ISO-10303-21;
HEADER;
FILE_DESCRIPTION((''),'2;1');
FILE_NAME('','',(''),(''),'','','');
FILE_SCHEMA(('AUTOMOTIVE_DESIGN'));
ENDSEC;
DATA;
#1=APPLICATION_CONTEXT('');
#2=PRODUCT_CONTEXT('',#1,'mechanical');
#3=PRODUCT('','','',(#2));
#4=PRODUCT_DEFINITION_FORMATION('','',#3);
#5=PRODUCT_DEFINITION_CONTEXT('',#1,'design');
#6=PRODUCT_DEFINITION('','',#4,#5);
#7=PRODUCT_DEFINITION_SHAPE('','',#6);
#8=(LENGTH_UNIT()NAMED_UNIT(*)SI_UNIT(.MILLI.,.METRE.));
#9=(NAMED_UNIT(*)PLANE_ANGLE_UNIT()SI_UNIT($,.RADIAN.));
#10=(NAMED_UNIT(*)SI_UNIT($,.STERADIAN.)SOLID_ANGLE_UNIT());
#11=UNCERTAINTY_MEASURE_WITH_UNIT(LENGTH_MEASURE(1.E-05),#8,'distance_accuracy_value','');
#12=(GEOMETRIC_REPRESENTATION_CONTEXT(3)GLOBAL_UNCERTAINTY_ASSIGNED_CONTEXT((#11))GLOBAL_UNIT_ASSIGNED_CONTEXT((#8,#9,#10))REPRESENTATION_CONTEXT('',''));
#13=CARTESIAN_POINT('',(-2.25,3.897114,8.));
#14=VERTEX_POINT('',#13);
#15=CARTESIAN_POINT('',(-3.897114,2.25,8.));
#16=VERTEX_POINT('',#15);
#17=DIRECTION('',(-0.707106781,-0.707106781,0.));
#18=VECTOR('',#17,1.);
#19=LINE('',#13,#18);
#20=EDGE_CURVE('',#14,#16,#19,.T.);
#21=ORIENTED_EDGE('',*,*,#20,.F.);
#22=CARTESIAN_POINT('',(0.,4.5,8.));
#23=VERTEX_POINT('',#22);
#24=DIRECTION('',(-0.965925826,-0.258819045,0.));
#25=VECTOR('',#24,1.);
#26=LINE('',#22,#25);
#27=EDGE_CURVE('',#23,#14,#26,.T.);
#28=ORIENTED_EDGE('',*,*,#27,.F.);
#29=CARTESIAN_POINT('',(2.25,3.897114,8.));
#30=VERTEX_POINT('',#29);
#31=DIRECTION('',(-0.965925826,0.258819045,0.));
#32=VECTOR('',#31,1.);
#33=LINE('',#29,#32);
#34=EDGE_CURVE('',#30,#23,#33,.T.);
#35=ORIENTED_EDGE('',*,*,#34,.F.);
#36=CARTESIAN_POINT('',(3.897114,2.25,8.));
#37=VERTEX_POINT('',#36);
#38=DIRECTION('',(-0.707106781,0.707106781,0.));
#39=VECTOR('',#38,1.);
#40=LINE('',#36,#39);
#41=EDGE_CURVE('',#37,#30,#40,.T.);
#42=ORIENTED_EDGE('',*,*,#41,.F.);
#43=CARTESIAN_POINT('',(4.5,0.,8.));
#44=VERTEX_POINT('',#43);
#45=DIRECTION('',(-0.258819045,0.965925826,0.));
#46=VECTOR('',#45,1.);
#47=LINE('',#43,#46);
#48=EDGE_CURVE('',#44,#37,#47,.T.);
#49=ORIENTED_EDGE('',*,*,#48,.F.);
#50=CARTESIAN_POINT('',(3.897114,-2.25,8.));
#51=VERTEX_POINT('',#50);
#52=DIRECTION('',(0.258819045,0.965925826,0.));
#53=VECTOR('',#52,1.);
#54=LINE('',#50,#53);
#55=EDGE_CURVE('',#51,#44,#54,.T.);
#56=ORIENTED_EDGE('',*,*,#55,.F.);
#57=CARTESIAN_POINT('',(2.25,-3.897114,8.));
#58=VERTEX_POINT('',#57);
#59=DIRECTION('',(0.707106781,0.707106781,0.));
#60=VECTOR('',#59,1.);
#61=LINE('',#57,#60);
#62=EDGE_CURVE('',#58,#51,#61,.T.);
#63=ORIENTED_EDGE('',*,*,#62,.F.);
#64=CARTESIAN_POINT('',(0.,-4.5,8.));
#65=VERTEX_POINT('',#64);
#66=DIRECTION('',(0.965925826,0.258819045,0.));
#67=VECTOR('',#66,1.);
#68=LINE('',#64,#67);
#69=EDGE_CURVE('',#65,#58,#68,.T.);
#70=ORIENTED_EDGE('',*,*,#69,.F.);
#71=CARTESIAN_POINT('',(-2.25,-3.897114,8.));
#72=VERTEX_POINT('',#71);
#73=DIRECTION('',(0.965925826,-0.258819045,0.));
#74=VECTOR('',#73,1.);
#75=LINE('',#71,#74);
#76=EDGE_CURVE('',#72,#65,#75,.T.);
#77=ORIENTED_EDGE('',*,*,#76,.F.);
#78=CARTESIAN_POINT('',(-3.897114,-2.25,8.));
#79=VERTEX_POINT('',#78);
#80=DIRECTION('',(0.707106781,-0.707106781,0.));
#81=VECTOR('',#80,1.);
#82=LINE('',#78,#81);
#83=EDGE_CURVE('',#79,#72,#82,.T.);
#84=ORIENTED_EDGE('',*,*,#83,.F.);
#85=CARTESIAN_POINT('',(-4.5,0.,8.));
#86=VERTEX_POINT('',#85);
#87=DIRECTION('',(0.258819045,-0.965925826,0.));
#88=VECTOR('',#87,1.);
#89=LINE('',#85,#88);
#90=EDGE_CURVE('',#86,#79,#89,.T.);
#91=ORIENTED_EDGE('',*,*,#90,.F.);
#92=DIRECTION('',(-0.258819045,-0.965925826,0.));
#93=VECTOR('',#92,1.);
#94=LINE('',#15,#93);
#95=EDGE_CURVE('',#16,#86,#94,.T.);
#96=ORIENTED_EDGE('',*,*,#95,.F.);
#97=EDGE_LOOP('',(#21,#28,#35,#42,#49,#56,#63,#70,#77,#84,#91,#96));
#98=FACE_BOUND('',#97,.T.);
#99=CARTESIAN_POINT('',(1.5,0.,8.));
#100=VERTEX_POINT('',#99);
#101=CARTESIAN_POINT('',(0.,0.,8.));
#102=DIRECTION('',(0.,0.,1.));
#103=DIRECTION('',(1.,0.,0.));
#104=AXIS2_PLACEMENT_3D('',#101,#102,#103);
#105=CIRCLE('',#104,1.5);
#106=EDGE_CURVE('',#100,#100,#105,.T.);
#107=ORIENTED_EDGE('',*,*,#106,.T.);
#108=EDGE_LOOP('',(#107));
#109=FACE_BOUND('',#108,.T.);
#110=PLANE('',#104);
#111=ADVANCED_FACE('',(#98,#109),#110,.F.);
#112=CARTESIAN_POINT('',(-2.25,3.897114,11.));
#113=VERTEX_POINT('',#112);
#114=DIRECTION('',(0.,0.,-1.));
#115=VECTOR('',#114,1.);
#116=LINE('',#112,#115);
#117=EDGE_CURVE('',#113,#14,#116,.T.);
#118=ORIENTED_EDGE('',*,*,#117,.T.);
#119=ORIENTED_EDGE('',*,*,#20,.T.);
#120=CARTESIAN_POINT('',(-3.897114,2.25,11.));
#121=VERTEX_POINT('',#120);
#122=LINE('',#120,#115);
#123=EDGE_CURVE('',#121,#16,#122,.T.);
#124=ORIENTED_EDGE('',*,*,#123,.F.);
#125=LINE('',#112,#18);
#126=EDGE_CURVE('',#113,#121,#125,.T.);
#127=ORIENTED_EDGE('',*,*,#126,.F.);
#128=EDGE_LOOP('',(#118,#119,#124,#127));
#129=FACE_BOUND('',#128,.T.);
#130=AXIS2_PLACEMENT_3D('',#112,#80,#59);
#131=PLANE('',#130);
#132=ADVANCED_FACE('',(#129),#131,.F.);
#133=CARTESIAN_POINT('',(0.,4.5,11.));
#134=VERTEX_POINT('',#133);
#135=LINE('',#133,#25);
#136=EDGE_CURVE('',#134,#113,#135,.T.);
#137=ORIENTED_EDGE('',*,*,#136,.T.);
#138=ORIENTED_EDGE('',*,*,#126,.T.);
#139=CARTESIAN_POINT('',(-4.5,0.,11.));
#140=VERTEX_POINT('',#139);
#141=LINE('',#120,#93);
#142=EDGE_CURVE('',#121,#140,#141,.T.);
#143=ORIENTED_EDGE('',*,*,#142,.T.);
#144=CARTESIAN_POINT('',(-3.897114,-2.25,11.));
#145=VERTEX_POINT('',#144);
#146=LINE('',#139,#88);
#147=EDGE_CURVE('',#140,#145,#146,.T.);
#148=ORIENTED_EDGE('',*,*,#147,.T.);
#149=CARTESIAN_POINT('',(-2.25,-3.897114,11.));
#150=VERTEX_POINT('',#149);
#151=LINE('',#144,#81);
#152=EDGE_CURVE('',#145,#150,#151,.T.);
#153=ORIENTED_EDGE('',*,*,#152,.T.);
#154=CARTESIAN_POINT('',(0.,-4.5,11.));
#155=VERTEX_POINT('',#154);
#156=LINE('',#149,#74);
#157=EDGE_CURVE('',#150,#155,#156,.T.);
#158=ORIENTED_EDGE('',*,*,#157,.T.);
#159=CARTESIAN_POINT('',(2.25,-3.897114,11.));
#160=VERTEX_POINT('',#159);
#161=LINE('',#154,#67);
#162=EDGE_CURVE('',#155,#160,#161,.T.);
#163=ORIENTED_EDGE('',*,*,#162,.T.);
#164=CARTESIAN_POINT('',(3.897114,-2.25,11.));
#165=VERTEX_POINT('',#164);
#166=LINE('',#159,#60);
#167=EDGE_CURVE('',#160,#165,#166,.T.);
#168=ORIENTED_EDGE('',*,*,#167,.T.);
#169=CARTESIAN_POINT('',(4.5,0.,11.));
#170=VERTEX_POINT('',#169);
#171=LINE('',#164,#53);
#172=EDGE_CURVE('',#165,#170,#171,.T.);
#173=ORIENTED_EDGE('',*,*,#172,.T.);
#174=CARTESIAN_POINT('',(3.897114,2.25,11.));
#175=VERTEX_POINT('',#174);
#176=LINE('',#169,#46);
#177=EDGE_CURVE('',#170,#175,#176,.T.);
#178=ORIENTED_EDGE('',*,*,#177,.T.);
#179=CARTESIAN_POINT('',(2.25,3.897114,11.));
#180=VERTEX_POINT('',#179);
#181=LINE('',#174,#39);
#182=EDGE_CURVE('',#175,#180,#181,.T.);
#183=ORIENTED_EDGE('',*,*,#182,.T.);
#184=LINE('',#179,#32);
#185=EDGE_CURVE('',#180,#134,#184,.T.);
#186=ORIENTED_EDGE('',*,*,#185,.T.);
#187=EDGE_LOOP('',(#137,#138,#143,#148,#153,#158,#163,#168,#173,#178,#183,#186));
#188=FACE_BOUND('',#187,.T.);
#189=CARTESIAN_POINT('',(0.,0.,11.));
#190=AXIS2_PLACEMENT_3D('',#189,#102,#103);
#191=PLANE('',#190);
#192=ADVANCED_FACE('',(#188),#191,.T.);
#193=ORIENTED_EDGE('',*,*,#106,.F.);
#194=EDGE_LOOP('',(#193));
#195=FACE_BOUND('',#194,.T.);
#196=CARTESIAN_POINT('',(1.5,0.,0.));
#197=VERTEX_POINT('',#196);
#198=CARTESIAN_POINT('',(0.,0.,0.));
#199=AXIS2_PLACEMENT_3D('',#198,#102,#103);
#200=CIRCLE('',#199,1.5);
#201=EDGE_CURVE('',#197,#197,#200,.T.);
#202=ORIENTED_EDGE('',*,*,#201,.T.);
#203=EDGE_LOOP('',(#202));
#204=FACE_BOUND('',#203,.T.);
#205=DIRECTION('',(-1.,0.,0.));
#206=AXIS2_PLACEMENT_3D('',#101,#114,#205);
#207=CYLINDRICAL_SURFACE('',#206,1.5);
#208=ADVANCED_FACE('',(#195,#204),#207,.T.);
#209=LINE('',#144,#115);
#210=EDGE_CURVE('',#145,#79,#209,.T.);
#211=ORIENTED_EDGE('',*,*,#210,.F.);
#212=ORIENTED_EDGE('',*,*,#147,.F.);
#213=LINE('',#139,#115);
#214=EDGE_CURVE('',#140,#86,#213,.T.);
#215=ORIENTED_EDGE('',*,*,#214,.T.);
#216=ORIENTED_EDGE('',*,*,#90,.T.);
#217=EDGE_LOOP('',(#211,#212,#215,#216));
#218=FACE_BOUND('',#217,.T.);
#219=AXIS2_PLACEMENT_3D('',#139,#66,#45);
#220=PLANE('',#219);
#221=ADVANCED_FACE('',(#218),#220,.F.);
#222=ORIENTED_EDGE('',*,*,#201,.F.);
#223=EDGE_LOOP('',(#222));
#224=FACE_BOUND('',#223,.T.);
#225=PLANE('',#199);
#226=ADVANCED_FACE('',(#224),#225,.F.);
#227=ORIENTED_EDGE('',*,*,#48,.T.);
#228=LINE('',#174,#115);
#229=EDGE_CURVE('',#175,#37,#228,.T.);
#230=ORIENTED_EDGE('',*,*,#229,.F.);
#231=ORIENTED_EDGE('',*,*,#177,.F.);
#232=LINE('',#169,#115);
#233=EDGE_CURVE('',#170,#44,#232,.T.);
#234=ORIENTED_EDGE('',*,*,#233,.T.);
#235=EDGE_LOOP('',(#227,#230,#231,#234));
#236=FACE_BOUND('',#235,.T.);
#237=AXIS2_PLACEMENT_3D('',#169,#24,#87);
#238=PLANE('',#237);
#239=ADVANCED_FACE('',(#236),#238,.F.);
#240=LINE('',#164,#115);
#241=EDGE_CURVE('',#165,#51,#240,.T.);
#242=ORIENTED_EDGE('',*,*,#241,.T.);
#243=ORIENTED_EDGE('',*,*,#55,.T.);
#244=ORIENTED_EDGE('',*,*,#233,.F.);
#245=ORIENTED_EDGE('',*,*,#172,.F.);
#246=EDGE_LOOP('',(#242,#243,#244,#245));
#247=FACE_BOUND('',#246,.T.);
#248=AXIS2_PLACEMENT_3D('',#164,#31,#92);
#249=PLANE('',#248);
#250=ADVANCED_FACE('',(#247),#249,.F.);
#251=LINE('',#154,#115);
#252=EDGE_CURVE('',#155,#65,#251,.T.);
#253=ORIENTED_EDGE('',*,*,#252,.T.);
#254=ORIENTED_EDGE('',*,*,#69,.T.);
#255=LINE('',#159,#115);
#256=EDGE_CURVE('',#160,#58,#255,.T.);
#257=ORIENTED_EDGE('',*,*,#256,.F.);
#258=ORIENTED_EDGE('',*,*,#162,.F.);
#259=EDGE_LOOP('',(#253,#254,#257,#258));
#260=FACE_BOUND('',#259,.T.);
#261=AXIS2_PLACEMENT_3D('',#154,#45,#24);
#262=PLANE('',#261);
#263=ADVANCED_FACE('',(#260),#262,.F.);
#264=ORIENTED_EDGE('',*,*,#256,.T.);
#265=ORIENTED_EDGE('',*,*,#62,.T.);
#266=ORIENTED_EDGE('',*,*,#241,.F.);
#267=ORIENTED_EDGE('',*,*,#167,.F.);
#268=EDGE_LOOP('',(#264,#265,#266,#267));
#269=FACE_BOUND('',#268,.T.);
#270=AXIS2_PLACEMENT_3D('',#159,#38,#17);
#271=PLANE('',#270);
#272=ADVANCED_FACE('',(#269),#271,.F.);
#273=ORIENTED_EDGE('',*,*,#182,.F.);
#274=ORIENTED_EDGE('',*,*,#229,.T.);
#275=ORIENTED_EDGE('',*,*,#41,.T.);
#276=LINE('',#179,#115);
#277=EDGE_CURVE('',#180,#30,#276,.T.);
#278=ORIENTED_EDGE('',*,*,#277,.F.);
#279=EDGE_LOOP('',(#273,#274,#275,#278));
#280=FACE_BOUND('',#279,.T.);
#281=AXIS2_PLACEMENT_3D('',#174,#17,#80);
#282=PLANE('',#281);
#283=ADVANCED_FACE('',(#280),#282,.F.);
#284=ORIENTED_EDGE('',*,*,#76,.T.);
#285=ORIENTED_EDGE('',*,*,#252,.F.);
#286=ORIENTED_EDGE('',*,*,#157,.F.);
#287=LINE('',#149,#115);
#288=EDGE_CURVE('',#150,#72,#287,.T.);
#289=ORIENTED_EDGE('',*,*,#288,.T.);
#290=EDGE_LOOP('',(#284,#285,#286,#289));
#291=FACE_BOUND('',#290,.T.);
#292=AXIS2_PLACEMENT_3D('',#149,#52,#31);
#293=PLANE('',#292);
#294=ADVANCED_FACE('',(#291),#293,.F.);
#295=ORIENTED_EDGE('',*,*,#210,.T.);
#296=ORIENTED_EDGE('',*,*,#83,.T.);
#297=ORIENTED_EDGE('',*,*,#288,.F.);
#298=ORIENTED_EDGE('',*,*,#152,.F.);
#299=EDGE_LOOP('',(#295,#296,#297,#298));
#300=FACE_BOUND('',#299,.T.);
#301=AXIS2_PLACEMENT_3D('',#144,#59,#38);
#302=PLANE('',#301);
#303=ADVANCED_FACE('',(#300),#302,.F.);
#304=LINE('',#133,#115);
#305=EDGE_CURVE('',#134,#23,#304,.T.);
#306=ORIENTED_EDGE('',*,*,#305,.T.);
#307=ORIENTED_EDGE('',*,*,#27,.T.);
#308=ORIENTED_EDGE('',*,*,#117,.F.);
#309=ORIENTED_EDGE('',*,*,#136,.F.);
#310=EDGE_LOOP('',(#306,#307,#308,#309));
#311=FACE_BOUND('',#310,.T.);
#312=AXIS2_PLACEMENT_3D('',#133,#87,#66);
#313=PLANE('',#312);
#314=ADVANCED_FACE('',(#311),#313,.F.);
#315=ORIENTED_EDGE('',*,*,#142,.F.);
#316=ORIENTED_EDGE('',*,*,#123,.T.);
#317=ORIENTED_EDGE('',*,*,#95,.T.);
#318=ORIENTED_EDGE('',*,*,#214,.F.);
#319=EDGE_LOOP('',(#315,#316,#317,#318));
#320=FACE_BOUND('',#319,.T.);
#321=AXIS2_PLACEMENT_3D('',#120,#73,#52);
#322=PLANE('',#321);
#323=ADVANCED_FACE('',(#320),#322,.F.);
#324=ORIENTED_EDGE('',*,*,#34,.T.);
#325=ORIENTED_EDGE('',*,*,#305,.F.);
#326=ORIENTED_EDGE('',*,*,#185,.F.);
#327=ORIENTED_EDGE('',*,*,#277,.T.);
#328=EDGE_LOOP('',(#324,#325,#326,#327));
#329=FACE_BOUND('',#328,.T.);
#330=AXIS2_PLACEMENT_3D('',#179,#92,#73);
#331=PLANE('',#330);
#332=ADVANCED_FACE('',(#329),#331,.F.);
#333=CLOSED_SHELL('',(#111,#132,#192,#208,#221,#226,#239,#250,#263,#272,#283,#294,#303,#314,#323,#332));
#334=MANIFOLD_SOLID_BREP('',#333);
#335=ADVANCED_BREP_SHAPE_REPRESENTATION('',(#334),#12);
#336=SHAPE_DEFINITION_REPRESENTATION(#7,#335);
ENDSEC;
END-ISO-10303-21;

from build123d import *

# Parameters (mm, degrees)
SKETCH_1_R       = 1.5
M3X8_DEPTH       = 8
EXTRUDE_START    = 8
EXTRUDE_D9_DEPTH = 3


with BuildPart() as part:
    # 草图1 → M3x8简化螺杆 (new body)
    with BuildSketch(Plane.XY):
        Circle(SKETCH_1_R)
    extrude(amount=M3X8_DEPTH)

    # 草图2 → D9十二边手拧头 (add)
    with BuildSketch(Plane.XY.offset(EXTRUDE_START)):
        Polygon((4.5, 0), (3.897114317, 2.25), (2.25, 3.897114317), (0, 4.5), (-2.25, 3.897114317), (-3.897114317, 2.25), (-4.5, 0), (-3.897114317, -2.25), (-2.25, -3.897114317), (0, -4.5), (2.25, -3.897114317), (3.897114317, -2.25), align=None)
    extrude(amount=EXTRUDE_D9_DEPTH)


solid = part.part
